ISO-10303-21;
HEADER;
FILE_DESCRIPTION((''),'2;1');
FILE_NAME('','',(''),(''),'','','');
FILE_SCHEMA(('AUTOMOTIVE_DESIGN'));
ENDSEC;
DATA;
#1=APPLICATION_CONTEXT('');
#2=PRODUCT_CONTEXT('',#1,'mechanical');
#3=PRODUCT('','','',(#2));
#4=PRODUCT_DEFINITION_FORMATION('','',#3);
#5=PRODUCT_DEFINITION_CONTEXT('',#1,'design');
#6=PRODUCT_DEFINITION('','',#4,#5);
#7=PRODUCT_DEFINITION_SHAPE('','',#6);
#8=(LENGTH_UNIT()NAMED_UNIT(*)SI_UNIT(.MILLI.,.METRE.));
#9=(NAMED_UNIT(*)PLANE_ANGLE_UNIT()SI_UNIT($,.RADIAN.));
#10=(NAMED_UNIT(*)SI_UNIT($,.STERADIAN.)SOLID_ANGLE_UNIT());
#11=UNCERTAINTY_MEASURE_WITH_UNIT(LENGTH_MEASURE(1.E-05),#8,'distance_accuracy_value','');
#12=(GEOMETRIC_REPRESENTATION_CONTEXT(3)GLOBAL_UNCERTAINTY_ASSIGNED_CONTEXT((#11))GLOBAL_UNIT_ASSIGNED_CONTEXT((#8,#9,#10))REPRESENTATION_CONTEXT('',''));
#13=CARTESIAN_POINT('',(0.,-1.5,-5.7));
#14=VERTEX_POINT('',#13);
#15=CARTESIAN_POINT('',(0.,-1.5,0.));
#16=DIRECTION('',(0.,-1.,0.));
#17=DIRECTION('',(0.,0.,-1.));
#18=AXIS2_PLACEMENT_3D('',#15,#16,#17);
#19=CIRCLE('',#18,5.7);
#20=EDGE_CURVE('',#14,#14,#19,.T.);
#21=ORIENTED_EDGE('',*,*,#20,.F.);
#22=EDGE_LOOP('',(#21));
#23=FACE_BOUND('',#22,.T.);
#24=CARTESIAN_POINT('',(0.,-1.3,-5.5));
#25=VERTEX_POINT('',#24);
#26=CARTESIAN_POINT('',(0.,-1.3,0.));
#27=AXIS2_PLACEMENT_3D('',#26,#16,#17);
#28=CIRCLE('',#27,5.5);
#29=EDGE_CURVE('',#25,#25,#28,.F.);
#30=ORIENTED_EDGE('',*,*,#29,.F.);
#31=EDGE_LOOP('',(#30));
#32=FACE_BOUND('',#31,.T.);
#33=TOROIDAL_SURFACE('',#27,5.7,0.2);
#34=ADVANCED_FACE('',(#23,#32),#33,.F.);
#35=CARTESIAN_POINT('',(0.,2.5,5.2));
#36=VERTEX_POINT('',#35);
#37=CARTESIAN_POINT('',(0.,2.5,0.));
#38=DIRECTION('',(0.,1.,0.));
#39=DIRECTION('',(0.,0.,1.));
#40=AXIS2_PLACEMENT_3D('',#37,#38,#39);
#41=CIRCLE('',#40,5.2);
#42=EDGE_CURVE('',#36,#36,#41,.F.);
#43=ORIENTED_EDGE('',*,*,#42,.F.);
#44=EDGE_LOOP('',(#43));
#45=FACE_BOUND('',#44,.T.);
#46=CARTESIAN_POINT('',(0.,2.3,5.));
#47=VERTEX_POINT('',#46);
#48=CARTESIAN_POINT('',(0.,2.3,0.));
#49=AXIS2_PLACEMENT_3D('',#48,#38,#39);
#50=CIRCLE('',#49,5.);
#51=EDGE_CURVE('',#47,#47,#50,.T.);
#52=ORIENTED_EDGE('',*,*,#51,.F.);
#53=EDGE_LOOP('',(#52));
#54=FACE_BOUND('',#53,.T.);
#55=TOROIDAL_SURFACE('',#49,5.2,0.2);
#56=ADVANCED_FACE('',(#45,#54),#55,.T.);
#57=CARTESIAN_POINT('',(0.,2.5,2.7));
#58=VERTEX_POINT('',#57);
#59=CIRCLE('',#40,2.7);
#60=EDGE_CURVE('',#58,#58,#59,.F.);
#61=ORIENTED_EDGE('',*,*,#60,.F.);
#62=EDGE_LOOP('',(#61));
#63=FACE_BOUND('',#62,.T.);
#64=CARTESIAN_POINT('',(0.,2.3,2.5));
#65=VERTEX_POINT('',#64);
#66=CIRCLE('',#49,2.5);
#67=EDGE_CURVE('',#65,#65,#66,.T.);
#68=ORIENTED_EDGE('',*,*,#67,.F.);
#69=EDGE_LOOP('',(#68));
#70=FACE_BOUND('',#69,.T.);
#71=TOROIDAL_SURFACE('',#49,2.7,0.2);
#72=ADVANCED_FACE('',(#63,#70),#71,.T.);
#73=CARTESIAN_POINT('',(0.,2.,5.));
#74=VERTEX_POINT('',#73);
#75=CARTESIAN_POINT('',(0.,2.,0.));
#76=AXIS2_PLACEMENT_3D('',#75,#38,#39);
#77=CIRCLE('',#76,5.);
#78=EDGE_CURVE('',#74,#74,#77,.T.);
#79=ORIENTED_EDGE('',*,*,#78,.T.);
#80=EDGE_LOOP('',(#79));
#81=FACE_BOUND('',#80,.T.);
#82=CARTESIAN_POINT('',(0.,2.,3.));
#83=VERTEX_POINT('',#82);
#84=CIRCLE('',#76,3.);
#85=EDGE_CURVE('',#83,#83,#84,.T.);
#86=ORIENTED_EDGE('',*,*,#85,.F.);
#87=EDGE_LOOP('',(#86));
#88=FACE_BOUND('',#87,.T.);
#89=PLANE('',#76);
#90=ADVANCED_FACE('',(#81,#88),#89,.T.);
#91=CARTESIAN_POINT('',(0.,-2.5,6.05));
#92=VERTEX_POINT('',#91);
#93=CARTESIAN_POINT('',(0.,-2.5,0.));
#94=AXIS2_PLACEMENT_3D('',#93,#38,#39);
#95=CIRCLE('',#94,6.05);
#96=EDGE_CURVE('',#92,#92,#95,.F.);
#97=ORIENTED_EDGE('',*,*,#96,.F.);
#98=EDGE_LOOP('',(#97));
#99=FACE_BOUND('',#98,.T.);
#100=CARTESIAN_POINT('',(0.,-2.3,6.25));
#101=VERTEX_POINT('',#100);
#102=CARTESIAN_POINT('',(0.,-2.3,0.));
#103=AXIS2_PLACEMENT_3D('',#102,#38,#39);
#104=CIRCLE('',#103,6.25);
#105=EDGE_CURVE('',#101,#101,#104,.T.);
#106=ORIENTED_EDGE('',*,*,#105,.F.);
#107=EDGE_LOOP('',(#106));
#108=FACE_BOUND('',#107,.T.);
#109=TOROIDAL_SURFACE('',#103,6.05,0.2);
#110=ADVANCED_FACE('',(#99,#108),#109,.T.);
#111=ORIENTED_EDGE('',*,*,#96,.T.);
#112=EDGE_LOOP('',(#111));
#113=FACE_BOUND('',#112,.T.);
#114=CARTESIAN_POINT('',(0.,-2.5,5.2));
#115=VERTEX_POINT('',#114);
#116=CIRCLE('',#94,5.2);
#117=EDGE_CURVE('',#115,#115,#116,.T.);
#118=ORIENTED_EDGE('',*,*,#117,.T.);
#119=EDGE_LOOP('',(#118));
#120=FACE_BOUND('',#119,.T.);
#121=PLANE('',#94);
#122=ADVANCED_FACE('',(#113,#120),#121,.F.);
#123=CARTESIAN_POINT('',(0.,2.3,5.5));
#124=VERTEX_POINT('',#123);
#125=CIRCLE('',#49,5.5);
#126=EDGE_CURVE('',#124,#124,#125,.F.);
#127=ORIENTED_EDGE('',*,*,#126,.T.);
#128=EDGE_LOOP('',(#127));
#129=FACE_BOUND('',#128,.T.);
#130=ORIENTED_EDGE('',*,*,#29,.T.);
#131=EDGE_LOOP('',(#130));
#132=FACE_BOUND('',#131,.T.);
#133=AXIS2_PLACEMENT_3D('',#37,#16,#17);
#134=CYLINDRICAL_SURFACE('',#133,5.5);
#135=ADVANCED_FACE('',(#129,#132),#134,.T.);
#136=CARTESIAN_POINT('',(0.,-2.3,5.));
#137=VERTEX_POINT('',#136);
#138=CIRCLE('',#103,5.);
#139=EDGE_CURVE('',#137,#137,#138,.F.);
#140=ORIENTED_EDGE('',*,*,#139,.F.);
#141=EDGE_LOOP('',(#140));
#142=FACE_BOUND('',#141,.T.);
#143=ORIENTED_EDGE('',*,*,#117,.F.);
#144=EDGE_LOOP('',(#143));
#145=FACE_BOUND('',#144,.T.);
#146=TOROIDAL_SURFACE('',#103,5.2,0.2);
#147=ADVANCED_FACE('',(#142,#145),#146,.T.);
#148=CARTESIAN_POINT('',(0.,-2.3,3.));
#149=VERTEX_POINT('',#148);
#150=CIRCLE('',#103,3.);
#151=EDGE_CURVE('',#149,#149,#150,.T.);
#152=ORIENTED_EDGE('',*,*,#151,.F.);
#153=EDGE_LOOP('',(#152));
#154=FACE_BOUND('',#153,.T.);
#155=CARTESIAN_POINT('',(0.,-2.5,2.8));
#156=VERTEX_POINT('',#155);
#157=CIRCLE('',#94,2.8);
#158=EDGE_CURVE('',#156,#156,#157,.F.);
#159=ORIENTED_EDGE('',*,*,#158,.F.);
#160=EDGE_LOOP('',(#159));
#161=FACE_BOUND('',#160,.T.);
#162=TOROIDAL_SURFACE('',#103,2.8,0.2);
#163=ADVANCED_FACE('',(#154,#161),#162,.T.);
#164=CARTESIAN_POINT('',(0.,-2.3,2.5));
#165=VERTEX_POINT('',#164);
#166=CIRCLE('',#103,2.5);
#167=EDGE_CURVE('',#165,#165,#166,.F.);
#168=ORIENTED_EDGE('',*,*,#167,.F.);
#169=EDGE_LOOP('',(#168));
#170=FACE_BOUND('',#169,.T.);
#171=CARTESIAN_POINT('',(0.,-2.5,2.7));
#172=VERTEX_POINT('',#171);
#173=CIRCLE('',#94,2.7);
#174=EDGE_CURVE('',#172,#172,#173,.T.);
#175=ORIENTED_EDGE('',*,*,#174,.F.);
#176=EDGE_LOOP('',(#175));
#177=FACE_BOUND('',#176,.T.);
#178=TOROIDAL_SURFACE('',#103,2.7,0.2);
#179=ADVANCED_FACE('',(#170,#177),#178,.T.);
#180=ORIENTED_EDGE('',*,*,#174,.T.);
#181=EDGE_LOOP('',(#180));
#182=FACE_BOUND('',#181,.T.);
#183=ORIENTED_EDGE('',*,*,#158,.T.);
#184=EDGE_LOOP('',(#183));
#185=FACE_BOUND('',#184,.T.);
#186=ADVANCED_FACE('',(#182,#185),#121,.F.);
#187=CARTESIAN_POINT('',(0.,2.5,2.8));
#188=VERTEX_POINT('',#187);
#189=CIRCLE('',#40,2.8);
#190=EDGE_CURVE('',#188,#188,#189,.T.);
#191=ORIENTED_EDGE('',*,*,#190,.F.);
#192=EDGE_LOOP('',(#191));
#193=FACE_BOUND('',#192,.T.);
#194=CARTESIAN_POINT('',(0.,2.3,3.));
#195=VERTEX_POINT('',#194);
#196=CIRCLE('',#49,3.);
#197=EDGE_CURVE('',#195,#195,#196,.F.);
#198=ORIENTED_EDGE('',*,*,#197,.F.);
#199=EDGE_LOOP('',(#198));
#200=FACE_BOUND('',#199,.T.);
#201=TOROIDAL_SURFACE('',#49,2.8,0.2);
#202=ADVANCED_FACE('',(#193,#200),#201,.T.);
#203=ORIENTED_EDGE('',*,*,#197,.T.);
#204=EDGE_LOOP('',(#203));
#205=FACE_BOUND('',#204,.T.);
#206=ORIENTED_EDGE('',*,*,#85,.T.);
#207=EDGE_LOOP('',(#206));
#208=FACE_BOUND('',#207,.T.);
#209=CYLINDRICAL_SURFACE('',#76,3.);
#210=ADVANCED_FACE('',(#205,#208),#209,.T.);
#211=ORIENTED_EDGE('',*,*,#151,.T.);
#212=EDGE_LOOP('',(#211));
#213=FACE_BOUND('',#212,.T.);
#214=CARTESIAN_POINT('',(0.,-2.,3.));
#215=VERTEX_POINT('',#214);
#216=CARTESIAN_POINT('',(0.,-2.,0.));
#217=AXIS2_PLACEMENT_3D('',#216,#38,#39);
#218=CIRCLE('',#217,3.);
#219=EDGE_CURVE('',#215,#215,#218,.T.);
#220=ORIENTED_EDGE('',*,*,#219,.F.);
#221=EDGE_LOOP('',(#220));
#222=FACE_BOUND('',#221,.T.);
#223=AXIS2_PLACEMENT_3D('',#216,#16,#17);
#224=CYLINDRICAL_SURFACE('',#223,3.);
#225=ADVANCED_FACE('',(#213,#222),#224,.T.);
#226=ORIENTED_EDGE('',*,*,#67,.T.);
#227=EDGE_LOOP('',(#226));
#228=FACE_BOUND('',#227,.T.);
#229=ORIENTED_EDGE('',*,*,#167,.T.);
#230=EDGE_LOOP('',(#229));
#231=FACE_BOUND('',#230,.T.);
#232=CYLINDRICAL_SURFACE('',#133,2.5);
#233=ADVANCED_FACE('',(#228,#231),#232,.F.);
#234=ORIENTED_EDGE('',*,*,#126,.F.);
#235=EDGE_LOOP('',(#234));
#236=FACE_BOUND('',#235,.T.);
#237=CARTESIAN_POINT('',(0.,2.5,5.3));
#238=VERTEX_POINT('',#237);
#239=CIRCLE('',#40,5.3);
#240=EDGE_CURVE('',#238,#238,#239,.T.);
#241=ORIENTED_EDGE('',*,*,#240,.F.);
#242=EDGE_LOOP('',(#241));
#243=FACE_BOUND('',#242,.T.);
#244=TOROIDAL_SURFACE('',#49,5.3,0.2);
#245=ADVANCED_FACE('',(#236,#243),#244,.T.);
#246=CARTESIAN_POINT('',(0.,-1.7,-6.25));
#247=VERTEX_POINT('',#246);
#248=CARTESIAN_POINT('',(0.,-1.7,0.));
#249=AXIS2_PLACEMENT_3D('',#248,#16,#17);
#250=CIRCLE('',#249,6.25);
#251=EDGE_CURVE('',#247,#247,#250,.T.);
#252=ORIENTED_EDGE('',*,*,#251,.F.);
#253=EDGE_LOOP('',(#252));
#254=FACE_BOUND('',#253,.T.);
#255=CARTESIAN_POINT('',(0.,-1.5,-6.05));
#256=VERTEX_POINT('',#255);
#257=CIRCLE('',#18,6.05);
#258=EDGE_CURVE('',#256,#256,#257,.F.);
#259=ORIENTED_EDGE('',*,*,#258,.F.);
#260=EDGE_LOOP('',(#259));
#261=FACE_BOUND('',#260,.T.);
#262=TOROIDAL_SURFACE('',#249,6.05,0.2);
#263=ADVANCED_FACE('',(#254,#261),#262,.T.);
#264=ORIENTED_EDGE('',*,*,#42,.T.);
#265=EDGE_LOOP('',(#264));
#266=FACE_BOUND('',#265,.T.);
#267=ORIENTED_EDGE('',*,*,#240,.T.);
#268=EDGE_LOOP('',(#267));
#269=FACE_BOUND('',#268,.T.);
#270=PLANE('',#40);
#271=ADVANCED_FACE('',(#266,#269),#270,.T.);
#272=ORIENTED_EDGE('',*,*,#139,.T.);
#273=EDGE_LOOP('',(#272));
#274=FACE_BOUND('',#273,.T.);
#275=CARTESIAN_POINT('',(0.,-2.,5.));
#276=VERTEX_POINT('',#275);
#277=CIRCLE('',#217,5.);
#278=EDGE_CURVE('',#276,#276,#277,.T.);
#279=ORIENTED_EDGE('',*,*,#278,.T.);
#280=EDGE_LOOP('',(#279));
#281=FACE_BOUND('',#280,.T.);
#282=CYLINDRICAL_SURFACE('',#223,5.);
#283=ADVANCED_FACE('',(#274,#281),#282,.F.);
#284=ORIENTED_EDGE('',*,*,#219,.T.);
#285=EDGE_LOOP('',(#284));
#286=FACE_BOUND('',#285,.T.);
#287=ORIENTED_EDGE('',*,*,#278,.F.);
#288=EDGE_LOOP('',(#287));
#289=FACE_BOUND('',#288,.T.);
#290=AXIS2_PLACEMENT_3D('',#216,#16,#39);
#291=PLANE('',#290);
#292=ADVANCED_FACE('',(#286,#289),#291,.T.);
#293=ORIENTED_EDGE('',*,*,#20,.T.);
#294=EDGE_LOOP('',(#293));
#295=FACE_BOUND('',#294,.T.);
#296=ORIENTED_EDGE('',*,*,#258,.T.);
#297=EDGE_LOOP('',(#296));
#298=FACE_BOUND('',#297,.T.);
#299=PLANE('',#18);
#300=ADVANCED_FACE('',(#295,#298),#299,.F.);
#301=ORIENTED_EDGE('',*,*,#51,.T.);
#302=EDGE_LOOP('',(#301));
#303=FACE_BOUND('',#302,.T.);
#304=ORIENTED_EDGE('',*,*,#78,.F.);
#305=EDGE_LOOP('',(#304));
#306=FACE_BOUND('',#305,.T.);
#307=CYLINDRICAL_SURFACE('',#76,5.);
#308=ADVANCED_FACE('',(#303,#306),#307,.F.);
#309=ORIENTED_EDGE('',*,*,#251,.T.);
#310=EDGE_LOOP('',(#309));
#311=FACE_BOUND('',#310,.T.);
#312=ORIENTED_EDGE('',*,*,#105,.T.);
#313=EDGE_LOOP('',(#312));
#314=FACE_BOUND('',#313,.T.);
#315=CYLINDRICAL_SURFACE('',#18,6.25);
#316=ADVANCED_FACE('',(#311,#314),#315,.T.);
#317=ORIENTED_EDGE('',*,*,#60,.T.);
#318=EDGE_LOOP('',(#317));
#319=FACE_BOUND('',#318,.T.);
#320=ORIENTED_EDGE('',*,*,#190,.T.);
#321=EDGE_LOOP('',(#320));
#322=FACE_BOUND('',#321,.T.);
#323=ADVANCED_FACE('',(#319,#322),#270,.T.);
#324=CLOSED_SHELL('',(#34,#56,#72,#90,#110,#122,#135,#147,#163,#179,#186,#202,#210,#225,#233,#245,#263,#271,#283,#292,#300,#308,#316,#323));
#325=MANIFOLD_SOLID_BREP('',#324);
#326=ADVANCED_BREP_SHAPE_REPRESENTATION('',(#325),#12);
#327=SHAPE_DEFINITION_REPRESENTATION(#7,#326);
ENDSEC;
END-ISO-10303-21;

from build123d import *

# Parameters (mm, degrees)
SKETCH_1_R          = 5.5
SKETCH_1_R_2        = 2.5
EXTRUDE_1_DEPTH     = 2.5
EXTRUDE_START       = -1
SKETCH_2_R          = 6.25
SKETCH_2_R_2        = 5.5
EXTRUDE_1_2_DEPTH   = 1
SKETCH_3_R          = 5
SKETCH_3_R_2        = 3
CUT_EXTRUDE_1_DEPTH = 0.5
FILLET_1_R          = 0.2
FILLET_2_R          = 0.2


with BuildPart() as part:
    # ｽｹｯﾁ1 → Extrude 1 (new, symmetric)
    with BuildSketch(Plane(origin=(0, 0, 0), x_dir=(1, 0, 0), z_dir=(0, 1, 0))):
        with Locations(Location((0, 0, 0), (0, 0, 270))):
            Circle(SKETCH_1_R)
        with Locations(Location((0, 0, 0), (0, 0, 270))):
            Circle(SKETCH_1_R_2, mode=Mode.SUBTRACT)
    extrude(amount=EXTRUDE_1_DEPTH, both=True)

    # ｽｹｯﾁ2 → Extrude 1 2 (add)
    with BuildSketch(Plane.XZ.offset(2.5).offset(EXTRUDE_START)):
        Circle(SKETCH_2_R)
        Circle(SKETCH_2_R_2, mode=Mode.SUBTRACT)
    extrude(amount=EXTRUDE_1_2_DEPTH)

    # ｽｹｯﾁ3 → ｶｯﾄ - 押し出し1 (cut, symmetric)
    with BuildSketch(Plane(origin=(0, 2.5, 0), x_dir=(1, 0, 0), z_dir=(0, 1, 0))):
        with Locations(Location((0, 0, 0), (0, 0, 270))):
            Circle(SKETCH_3_R)
        with Locations(Location((0, 0, 0), (0, 0, 270))):
            Circle(SKETCH_3_R_2, mode=Mode.SUBTRACT)
    cut_extrude_1 = extrude(amount=CUT_EXTRUDE_1_DEPTH, both=True, mode=Mode.SUBTRACT)

    # ﾐﾗｰ1: ｶｯﾄ - 押し出し1 across plane
    add(cut_extrude_1.mirror(Plane.ZX), mode=Mode.SUBTRACT)

    # ﾌｨﾚｯﾄ1
    fillet_1_edges = [part.edges().sort_by_distance(p)[0] for p in [
        (-6.25, -2.5, 0),
        (0, 2.5, -5),
        (0, 2.5, -3),
        (0, -2.5, -3),
        (0, -2.5, -5),
        (0, 2.5, -5.5),
        (0, -2.5, -2.5),
        (0, 2.5, -2.5),
        (0, -1.5, -5.5),
    ]]
    fillet(fillet_1_edges, radius=FILLET_1_R)

    # ﾌｨﾚｯﾄ2
    fillet_2_edges = [part.edges().sort_by_distance(p)[0] for p in [
        (-6.25, -1.5, 0),
    ]]
    fillet(fillet_2_edges, radius=FILLET_2_R)


solid = part.part
